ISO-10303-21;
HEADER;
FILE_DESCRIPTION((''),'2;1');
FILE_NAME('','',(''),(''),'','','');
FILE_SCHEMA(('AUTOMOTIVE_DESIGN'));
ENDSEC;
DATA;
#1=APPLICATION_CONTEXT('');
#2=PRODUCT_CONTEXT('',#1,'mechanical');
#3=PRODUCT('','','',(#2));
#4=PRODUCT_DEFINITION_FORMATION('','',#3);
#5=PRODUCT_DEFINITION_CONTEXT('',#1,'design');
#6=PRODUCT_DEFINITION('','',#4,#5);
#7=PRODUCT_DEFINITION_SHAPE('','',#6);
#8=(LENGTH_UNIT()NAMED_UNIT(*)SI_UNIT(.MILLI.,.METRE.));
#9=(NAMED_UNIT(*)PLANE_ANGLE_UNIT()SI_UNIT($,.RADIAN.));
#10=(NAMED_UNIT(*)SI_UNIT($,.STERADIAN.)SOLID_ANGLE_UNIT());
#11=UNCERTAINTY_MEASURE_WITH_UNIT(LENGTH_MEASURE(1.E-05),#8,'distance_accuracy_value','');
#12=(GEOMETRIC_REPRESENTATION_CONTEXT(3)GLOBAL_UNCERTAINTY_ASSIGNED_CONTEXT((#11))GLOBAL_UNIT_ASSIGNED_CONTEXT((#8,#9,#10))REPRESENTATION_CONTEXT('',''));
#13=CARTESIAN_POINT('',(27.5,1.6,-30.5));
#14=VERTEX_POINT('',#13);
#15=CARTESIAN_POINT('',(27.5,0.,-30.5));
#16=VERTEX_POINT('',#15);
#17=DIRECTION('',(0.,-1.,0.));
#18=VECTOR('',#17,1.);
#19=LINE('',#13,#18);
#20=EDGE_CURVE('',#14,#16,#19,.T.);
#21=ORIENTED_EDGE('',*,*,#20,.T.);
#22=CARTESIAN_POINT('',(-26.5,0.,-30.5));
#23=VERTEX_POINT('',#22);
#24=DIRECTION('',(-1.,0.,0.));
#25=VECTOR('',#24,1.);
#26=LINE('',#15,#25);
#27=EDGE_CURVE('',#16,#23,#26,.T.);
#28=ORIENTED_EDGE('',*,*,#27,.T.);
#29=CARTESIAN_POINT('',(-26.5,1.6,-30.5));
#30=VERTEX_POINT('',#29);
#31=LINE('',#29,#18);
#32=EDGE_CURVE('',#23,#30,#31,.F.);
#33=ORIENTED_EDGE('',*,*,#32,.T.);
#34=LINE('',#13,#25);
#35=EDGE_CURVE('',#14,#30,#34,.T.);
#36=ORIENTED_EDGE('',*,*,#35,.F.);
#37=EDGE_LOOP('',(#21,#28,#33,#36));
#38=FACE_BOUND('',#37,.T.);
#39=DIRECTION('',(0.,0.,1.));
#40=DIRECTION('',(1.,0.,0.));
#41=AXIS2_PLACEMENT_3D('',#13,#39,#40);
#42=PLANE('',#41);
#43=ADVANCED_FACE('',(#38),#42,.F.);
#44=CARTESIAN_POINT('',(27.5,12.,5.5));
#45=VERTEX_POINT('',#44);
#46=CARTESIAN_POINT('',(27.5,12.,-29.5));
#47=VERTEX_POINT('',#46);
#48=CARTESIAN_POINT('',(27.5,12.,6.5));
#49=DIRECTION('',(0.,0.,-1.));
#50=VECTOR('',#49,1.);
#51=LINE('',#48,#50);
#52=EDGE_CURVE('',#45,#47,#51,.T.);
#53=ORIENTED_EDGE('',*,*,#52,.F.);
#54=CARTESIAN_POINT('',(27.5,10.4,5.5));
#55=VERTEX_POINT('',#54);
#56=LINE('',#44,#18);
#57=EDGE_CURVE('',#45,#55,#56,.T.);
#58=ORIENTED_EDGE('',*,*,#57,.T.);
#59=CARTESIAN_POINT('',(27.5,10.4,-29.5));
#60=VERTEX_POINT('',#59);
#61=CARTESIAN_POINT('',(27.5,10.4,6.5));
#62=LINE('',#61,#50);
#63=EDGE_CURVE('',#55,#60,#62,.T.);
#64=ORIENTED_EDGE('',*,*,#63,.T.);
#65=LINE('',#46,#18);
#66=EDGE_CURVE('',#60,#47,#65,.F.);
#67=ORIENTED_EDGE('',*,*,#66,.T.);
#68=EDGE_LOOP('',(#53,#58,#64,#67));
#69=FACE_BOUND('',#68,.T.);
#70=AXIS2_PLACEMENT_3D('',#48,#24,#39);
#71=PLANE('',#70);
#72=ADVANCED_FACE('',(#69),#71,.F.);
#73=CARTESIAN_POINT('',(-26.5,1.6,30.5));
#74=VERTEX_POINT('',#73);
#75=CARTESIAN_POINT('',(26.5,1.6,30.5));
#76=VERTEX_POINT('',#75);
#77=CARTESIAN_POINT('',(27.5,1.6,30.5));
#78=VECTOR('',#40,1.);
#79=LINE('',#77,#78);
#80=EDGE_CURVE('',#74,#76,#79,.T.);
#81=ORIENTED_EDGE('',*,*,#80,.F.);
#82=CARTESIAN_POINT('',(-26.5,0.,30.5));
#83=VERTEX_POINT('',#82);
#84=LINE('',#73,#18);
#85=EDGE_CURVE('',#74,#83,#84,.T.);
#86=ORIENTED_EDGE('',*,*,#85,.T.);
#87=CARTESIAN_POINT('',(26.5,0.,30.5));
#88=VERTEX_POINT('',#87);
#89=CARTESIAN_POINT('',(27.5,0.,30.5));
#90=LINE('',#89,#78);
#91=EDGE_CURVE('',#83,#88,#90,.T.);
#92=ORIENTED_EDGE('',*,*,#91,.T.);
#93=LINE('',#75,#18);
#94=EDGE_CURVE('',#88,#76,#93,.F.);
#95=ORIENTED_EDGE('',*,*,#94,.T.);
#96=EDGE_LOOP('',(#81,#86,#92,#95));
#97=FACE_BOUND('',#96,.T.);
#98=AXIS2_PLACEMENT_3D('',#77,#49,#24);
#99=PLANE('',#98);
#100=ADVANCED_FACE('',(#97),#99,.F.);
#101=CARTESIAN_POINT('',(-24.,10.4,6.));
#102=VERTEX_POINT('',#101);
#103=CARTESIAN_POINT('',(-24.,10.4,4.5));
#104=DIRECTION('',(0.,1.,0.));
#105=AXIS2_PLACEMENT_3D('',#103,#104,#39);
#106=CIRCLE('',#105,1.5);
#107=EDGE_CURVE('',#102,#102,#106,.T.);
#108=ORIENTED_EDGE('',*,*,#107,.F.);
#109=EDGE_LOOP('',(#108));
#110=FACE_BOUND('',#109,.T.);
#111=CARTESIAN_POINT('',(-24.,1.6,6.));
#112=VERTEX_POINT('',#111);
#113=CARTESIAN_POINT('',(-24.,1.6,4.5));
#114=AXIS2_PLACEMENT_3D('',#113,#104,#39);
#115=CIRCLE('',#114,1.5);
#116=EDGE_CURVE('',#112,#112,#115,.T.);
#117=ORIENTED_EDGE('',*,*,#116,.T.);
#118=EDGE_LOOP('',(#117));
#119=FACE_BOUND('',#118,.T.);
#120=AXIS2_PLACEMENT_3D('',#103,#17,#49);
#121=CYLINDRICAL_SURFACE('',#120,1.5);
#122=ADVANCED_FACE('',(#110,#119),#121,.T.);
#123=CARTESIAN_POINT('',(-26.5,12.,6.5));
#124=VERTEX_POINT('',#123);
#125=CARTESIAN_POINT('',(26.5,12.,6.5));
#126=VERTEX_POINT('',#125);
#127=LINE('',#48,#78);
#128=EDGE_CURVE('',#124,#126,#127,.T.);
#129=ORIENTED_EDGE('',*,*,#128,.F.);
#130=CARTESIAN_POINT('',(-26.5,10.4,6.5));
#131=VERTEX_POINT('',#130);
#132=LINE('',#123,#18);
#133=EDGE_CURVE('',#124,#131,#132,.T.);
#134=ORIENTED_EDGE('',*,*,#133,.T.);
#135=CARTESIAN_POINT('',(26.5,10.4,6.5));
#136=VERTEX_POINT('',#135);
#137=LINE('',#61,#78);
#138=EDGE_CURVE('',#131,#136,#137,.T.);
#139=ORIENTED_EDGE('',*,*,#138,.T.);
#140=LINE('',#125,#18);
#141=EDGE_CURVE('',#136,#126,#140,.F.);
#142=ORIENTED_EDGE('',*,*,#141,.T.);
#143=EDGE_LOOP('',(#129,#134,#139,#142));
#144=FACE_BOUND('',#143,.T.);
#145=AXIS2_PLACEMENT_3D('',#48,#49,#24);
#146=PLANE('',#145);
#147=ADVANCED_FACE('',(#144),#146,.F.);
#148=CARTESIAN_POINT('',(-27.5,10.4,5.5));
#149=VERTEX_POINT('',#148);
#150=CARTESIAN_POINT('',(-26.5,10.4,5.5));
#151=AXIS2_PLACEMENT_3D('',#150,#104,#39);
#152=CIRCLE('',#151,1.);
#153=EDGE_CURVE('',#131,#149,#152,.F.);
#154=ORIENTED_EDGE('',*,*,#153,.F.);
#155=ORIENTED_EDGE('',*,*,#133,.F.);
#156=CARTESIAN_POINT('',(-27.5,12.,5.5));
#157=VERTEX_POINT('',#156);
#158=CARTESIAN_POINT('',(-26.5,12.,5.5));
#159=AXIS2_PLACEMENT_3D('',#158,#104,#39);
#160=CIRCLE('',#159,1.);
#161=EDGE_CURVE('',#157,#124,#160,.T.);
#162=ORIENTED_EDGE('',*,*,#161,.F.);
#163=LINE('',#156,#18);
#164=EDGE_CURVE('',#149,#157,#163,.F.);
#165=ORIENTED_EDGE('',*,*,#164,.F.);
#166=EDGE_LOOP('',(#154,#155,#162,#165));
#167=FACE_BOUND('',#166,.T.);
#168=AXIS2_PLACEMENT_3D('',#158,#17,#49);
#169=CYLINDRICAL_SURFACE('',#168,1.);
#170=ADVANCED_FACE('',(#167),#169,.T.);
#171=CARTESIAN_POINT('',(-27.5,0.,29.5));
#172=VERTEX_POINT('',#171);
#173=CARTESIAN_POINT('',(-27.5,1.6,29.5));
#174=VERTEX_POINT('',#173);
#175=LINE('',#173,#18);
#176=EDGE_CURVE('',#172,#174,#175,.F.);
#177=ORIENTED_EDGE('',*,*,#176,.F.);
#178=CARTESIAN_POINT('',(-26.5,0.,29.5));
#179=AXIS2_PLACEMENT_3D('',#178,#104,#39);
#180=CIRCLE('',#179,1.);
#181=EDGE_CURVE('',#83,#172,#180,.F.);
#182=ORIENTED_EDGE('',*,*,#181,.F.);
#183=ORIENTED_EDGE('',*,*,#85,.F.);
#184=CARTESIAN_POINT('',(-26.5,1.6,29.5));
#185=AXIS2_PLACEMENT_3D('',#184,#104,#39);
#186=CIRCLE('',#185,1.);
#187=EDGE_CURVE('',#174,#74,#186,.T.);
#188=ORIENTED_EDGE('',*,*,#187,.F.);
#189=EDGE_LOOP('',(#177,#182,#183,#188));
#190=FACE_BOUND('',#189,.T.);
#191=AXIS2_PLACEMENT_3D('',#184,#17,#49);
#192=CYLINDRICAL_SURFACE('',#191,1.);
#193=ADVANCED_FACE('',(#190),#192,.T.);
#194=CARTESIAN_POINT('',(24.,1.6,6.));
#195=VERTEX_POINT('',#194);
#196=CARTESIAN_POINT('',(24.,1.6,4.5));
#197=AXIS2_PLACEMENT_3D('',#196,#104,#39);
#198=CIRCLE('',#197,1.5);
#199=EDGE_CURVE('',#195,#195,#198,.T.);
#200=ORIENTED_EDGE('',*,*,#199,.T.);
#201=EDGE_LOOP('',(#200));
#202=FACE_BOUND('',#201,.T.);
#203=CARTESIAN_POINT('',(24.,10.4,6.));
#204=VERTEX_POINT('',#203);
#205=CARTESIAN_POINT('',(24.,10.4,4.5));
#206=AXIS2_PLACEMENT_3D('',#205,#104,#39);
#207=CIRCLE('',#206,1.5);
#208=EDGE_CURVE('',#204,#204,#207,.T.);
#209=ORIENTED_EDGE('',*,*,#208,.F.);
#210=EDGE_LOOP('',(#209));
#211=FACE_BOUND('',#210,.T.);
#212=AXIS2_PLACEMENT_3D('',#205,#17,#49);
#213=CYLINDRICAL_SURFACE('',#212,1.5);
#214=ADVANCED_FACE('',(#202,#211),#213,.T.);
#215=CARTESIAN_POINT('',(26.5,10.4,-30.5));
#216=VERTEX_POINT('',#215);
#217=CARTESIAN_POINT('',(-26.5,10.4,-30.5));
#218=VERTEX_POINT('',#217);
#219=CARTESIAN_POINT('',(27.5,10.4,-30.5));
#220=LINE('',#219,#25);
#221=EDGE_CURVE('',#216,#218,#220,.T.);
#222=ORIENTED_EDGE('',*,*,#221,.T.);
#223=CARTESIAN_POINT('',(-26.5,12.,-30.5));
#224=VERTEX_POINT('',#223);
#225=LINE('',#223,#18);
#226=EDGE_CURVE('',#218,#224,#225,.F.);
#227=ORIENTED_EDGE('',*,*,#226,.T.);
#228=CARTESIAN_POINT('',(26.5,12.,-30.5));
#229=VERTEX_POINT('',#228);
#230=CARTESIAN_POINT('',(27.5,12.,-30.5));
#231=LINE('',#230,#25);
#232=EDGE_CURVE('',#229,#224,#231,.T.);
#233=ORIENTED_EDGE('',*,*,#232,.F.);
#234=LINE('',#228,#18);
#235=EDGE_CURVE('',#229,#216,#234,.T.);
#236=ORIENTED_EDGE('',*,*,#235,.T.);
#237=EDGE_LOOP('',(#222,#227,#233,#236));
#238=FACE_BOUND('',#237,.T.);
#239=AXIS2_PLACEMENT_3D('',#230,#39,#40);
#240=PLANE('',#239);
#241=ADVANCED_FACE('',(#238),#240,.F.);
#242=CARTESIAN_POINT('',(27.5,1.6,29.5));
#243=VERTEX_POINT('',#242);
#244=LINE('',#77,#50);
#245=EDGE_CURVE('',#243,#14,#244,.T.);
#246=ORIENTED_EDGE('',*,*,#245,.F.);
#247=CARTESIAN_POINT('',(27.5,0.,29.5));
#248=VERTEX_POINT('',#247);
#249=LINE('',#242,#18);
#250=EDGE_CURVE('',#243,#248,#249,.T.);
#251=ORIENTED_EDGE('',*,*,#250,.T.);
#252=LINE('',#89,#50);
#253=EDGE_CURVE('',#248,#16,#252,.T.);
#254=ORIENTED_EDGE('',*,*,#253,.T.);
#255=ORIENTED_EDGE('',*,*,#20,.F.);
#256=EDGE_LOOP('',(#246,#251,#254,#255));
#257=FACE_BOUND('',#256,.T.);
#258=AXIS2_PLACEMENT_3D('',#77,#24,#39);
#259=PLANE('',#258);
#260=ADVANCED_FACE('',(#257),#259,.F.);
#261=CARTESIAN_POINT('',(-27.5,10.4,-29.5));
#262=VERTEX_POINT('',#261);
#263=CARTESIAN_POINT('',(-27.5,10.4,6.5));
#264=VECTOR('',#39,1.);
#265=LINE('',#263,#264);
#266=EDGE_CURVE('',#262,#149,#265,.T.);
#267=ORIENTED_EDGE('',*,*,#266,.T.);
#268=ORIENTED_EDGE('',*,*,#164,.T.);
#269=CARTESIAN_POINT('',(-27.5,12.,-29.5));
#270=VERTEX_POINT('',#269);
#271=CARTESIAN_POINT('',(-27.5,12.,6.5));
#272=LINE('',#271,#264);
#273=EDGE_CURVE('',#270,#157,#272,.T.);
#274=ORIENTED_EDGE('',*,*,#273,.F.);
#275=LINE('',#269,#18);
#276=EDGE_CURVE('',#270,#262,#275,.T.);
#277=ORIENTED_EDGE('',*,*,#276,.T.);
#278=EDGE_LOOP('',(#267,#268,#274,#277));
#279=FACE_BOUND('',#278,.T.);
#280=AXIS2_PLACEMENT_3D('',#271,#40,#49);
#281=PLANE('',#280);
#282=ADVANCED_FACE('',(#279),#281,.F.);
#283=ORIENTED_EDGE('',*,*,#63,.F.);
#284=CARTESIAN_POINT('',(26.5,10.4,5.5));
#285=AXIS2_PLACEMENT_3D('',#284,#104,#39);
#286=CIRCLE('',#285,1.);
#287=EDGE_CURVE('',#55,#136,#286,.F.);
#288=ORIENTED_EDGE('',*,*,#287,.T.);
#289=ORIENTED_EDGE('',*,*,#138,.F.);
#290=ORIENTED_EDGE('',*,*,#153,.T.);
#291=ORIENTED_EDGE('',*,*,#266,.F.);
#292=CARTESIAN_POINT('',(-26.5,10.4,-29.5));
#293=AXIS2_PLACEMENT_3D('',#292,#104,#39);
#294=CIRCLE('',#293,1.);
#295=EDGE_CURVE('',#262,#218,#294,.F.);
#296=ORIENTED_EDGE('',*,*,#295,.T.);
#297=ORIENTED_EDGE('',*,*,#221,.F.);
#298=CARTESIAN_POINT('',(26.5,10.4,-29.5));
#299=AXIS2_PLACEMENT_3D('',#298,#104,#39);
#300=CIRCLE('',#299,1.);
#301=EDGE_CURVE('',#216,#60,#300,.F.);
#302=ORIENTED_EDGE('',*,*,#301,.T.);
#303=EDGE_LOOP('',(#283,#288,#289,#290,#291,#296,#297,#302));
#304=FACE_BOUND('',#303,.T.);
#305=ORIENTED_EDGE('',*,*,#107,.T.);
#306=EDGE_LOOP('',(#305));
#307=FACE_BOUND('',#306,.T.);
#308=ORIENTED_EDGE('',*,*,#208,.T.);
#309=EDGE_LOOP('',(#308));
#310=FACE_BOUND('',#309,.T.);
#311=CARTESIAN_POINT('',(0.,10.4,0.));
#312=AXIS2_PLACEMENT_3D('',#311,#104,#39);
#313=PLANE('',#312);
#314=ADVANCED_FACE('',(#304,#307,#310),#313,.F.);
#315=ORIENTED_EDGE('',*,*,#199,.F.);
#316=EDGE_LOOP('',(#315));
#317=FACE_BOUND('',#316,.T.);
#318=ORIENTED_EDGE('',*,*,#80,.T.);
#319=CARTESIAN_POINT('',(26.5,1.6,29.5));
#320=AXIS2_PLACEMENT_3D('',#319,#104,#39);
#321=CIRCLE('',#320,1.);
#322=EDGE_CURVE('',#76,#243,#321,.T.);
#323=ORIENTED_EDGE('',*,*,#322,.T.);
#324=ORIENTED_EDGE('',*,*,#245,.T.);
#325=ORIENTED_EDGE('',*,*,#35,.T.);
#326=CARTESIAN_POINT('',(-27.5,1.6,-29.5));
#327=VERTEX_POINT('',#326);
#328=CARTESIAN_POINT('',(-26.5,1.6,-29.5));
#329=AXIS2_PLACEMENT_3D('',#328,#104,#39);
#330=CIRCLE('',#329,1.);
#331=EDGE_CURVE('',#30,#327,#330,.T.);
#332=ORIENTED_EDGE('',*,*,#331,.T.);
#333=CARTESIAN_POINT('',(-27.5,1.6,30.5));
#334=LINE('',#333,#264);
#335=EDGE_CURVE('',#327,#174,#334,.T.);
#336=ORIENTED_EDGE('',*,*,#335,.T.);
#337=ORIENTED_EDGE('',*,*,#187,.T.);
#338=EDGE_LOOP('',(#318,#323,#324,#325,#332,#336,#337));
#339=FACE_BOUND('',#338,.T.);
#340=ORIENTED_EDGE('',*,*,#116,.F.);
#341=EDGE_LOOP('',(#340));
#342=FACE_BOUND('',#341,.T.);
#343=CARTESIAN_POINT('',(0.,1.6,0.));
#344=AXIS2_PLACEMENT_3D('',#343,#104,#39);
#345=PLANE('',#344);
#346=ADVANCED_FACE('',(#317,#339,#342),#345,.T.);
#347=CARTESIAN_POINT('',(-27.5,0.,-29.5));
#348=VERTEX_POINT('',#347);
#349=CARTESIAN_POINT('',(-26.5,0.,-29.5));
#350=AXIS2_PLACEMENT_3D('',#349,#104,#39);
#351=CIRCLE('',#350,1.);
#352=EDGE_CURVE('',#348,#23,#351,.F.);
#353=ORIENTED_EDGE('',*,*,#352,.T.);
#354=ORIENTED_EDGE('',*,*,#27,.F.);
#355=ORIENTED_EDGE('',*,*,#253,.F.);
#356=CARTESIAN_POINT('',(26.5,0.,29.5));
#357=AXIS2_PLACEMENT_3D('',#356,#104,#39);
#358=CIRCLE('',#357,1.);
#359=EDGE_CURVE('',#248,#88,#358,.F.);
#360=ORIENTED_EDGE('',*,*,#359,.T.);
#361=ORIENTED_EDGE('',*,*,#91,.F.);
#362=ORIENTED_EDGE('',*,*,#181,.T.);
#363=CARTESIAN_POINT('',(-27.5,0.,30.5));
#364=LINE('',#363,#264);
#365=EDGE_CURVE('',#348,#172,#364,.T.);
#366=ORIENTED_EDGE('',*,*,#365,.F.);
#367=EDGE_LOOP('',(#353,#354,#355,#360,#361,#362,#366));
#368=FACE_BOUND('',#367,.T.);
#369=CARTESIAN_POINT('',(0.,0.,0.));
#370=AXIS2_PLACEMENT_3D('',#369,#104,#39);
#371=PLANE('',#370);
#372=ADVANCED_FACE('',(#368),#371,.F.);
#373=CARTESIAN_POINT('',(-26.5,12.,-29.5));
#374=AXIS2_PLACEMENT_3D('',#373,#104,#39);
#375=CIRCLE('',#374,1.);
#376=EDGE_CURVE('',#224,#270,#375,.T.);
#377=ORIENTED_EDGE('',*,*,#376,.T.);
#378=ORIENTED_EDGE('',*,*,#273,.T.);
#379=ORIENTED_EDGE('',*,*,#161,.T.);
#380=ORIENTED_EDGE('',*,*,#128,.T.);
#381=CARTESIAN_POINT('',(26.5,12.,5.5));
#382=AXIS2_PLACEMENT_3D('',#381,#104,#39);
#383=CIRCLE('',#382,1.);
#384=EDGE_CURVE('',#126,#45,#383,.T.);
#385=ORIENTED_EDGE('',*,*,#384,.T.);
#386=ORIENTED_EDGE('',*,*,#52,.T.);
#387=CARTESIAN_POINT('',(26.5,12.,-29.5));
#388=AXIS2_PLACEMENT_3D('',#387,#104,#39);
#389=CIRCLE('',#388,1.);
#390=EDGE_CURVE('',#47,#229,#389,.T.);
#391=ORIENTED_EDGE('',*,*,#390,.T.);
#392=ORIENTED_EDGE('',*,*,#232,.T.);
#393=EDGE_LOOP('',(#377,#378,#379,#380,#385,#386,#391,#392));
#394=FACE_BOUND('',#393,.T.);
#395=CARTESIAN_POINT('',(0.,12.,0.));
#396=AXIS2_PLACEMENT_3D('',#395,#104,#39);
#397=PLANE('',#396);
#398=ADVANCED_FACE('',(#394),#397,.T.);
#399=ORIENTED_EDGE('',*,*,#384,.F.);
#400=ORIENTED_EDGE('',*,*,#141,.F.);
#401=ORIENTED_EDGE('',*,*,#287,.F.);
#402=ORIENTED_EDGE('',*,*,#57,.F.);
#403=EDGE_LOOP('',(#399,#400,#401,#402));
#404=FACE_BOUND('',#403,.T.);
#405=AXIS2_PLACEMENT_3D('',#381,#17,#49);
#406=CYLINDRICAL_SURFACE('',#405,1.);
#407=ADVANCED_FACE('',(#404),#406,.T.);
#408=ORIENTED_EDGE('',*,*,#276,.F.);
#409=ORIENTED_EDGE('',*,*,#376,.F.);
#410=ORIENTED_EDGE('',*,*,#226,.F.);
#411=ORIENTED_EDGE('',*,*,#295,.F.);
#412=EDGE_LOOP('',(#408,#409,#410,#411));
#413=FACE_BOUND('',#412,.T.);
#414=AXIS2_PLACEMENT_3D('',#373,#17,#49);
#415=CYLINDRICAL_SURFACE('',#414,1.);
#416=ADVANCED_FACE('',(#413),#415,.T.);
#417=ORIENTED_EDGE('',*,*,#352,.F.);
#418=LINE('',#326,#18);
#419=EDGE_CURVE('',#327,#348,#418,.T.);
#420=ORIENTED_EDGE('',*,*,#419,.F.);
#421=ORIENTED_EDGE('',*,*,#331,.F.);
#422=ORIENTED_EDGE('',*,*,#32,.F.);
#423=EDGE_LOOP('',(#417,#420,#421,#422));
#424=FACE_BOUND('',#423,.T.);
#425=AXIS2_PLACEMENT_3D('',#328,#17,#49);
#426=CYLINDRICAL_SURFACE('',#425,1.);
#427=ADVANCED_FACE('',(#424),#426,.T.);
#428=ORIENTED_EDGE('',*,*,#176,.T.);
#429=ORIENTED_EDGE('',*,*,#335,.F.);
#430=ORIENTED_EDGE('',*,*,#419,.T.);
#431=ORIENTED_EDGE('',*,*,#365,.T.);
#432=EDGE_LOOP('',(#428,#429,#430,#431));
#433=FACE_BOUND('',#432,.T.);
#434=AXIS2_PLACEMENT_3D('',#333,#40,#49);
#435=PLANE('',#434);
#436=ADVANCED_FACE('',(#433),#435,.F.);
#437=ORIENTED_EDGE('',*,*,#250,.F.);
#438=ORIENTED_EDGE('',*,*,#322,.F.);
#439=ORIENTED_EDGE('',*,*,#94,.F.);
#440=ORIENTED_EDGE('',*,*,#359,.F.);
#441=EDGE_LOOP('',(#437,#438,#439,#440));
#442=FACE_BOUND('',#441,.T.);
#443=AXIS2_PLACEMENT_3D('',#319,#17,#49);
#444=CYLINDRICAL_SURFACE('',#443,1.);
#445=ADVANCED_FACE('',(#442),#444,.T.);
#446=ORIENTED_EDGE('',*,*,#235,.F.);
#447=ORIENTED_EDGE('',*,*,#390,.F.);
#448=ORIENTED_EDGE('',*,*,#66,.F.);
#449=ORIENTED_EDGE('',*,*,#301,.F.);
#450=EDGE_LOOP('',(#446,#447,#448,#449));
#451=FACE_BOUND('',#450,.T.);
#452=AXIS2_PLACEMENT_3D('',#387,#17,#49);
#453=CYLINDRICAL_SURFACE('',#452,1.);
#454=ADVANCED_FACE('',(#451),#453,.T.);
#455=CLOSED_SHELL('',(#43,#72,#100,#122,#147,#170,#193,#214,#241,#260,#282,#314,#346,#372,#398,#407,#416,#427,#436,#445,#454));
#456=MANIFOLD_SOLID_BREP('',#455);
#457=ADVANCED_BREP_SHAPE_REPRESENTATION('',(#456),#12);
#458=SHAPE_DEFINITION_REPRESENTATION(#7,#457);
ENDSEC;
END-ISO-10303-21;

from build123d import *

# Parameters (mm, degrees)
SKETCH1_W           = 55
SKETCH1_H           = 61
BOSS_EXTRUDE1_DEPTH = 1.6
SKETCH2_R           = 1.5
BOSS_EXTRUDE2_DEPTH = 8.8
SKETCH3_W           = 55
SKETCH3_H           = 37
BOSS_EXTRUDE3_DEPTH = 1.6
FILLET1_R           = 1


with BuildPart() as part:
    # Sketch1 → Boss-Extrude1 (new body)
    with BuildSketch(Plane(origin=(0, 0, 0), x_dir=(1, 0, 0), z_dir=(0, 1, 0))):
        Rectangle(SKETCH1_W, SKETCH1_H)
    extrude(amount=BOSS_EXTRUDE1_DEPTH)

    # Sketch2 → Boss-Extrude2 (add)
    with BuildSketch(Plane(origin=(0, 1.6, 0), x_dir=(1, 0, 0), z_dir=(0, 1, 0))):
        with Locations(Location((-24, -4.5, 0), (0, 0, 270))):
            Circle(SKETCH2_R)
        with Locations(Location((24, -4.5, 0), (0, 0, 270))):
            Circle(SKETCH2_R)
    extrude(amount=BOSS_EXTRUDE2_DEPTH)

    # Sketch3 → Boss-Extrude3 (add)
    with BuildSketch(Plane(origin=(0, 10.4, 0), x_dir=(1, 0, 0), z_dir=(0, 1, 0))):
        with Locations((0, 12)):
            Rectangle(SKETCH3_W, SKETCH3_H)
    extrude(amount=BOSS_EXTRUDE3_DEPTH)

    # Fillet1
    fillet1_edges = [part.edges().sort_by_distance(p)[0] for p in [
        (-27.5, 11.2, -30.5),
        (-27.5, 11.2, 6.5),
        (27.5, 11.2, 6.5),
        (27.5, 11.2, -30.5),
        (-27.5, 0.8, -30.5),
        (27.5, 0.8, 30.5),
        (-27.5, 0.8, 30.5),
    ]]
    fillet(fillet1_edges, radius=FILLET1_R)


solid = part.part
